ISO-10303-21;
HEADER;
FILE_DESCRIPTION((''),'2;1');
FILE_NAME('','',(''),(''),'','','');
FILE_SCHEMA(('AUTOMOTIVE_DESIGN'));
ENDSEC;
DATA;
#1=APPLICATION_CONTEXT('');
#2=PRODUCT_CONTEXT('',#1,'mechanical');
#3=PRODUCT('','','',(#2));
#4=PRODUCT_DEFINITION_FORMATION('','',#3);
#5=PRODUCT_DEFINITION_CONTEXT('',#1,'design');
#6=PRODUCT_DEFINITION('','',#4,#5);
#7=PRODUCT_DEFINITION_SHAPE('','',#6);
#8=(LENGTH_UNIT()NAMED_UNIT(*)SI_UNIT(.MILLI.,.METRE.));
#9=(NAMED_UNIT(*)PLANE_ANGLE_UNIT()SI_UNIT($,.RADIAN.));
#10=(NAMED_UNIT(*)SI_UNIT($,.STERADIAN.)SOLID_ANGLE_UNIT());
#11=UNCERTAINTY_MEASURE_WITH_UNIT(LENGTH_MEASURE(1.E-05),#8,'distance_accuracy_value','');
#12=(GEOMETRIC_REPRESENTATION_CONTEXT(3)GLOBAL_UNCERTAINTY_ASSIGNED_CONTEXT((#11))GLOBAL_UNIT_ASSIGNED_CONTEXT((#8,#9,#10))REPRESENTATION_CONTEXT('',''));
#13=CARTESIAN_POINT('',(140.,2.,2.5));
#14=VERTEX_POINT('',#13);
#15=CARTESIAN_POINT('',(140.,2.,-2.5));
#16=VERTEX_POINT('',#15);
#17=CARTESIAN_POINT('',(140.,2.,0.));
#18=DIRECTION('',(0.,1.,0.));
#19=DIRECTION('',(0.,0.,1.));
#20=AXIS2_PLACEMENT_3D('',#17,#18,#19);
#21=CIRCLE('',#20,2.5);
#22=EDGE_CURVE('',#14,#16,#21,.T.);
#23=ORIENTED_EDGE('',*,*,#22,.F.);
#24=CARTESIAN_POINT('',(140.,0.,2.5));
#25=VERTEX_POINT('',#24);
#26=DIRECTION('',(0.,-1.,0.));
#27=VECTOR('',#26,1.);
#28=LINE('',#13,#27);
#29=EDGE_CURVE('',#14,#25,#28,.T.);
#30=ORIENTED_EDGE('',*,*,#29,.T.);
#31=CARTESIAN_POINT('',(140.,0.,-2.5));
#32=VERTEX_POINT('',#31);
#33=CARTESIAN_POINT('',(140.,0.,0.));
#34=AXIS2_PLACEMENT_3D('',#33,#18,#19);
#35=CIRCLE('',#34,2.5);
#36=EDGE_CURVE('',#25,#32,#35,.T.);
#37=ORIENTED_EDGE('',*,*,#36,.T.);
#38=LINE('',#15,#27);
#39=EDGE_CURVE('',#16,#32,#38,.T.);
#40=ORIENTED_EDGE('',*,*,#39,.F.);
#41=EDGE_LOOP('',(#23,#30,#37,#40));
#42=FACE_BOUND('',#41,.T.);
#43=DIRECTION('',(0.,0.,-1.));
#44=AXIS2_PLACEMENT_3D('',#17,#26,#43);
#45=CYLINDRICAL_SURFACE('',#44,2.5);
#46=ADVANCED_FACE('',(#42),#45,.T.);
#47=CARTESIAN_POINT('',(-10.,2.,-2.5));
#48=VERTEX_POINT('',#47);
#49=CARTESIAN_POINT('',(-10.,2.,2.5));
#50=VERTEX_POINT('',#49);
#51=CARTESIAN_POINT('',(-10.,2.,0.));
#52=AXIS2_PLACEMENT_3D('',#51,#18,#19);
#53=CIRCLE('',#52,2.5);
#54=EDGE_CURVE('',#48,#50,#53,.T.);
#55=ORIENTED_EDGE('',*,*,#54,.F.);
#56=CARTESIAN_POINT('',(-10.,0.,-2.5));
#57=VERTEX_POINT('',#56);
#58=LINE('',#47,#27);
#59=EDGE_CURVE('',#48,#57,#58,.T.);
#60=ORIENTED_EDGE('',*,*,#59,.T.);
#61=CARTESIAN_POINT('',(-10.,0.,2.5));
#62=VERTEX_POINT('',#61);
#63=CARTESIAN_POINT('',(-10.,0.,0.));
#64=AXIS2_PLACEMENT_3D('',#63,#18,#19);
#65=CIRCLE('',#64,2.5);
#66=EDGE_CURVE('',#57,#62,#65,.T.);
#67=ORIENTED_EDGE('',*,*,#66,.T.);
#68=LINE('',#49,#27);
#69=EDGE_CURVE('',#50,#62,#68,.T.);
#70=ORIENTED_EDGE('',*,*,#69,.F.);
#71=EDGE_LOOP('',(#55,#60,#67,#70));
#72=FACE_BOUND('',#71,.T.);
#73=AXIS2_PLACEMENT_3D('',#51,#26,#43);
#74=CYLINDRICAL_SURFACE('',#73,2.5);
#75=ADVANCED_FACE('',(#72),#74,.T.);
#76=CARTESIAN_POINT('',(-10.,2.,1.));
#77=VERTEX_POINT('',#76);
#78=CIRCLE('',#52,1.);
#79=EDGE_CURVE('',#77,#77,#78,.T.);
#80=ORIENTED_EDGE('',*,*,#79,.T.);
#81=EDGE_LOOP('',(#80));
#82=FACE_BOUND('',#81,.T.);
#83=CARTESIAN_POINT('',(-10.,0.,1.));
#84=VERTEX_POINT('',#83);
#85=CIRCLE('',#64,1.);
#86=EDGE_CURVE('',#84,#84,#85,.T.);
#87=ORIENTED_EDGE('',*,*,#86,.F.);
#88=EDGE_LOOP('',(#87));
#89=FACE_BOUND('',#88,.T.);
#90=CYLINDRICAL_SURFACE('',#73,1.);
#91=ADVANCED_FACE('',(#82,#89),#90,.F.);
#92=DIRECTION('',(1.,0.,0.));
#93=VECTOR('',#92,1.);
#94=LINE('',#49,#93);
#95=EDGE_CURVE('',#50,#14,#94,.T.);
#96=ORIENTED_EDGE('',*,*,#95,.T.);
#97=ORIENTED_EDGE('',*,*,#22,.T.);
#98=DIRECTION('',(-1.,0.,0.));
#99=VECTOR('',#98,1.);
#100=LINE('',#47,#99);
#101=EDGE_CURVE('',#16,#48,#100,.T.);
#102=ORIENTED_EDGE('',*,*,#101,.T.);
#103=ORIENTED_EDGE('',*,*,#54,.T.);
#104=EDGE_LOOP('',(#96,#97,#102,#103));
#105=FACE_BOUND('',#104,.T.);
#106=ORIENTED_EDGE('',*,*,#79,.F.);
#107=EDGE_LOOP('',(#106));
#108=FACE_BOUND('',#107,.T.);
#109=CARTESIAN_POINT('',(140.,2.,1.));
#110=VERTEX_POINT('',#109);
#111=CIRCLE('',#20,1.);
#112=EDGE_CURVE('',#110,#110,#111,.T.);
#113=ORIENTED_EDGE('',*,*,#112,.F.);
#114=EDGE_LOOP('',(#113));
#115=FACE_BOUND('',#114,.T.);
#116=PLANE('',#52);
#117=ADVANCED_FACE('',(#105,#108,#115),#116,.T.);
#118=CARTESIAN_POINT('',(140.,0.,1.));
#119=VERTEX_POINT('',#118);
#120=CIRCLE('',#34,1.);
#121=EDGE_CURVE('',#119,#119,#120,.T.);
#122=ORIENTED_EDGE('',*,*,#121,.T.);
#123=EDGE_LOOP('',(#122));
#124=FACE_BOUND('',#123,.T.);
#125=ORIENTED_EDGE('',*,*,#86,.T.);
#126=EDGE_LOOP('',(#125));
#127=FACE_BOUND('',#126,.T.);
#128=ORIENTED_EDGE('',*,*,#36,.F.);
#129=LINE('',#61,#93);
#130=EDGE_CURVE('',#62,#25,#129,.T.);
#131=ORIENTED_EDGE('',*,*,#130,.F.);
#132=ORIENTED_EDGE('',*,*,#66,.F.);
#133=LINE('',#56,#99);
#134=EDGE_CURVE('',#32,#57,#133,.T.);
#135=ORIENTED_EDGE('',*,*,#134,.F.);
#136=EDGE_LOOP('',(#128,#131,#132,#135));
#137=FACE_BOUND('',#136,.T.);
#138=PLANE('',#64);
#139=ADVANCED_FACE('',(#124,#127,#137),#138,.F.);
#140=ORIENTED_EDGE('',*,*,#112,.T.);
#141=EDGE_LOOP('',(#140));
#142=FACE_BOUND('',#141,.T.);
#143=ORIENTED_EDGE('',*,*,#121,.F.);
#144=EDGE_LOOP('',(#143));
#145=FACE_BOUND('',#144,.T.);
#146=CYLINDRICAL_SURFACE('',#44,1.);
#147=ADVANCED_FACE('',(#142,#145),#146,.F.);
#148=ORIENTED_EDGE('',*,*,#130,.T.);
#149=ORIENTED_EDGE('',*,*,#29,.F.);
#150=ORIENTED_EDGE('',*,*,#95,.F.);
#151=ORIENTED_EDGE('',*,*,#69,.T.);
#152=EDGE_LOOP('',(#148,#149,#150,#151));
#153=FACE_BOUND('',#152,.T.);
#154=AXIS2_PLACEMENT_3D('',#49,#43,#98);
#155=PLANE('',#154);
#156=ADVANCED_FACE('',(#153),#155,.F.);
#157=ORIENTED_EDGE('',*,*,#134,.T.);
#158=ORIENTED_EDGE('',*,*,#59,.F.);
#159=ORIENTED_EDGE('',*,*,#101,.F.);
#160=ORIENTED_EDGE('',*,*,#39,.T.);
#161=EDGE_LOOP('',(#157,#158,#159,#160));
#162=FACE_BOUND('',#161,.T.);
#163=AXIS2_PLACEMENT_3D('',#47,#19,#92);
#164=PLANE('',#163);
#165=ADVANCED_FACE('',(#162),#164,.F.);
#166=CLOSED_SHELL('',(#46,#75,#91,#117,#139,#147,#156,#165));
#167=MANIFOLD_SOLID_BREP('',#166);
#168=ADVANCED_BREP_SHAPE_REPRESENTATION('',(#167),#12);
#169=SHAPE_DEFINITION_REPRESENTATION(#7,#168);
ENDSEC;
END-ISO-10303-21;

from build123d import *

# Parameters (mm, degrees)
SKETCH1_R           = 1
BOSS_EXTRUDE1_DEPTH = 2


with BuildPart() as part:
    # Sketch1 → Boss-Extrude1 (new body)
    with BuildSketch(Plane(origin=(0, 0, 0), x_dir=(1, 0, 0), z_dir=(0, 1, 0))):
        with BuildLine():
            Line((-10, 2.5), (140, 2.5))
            ThreePointArc((140, 2.5), (142.5, 0), (140, -2.5))
            Line((140, -2.5), (-10, -2.5))
            ThreePointArc((-10, -2.5), (-12.5, 0), (-10, 2.5))
        make_face()
        with Locations(Location((140, 0, 0), (0, 0, 270))):
            Circle(SKETCH1_R, mode=Mode.SUBTRACT)
        with Locations(Location((-10, 0, 0), (0, 0, 270))):
            Circle(SKETCH1_R, mode=Mode.SUBTRACT)
    extrude(amount=BOSS_EXTRUDE1_DEPTH)


solid = part.part
